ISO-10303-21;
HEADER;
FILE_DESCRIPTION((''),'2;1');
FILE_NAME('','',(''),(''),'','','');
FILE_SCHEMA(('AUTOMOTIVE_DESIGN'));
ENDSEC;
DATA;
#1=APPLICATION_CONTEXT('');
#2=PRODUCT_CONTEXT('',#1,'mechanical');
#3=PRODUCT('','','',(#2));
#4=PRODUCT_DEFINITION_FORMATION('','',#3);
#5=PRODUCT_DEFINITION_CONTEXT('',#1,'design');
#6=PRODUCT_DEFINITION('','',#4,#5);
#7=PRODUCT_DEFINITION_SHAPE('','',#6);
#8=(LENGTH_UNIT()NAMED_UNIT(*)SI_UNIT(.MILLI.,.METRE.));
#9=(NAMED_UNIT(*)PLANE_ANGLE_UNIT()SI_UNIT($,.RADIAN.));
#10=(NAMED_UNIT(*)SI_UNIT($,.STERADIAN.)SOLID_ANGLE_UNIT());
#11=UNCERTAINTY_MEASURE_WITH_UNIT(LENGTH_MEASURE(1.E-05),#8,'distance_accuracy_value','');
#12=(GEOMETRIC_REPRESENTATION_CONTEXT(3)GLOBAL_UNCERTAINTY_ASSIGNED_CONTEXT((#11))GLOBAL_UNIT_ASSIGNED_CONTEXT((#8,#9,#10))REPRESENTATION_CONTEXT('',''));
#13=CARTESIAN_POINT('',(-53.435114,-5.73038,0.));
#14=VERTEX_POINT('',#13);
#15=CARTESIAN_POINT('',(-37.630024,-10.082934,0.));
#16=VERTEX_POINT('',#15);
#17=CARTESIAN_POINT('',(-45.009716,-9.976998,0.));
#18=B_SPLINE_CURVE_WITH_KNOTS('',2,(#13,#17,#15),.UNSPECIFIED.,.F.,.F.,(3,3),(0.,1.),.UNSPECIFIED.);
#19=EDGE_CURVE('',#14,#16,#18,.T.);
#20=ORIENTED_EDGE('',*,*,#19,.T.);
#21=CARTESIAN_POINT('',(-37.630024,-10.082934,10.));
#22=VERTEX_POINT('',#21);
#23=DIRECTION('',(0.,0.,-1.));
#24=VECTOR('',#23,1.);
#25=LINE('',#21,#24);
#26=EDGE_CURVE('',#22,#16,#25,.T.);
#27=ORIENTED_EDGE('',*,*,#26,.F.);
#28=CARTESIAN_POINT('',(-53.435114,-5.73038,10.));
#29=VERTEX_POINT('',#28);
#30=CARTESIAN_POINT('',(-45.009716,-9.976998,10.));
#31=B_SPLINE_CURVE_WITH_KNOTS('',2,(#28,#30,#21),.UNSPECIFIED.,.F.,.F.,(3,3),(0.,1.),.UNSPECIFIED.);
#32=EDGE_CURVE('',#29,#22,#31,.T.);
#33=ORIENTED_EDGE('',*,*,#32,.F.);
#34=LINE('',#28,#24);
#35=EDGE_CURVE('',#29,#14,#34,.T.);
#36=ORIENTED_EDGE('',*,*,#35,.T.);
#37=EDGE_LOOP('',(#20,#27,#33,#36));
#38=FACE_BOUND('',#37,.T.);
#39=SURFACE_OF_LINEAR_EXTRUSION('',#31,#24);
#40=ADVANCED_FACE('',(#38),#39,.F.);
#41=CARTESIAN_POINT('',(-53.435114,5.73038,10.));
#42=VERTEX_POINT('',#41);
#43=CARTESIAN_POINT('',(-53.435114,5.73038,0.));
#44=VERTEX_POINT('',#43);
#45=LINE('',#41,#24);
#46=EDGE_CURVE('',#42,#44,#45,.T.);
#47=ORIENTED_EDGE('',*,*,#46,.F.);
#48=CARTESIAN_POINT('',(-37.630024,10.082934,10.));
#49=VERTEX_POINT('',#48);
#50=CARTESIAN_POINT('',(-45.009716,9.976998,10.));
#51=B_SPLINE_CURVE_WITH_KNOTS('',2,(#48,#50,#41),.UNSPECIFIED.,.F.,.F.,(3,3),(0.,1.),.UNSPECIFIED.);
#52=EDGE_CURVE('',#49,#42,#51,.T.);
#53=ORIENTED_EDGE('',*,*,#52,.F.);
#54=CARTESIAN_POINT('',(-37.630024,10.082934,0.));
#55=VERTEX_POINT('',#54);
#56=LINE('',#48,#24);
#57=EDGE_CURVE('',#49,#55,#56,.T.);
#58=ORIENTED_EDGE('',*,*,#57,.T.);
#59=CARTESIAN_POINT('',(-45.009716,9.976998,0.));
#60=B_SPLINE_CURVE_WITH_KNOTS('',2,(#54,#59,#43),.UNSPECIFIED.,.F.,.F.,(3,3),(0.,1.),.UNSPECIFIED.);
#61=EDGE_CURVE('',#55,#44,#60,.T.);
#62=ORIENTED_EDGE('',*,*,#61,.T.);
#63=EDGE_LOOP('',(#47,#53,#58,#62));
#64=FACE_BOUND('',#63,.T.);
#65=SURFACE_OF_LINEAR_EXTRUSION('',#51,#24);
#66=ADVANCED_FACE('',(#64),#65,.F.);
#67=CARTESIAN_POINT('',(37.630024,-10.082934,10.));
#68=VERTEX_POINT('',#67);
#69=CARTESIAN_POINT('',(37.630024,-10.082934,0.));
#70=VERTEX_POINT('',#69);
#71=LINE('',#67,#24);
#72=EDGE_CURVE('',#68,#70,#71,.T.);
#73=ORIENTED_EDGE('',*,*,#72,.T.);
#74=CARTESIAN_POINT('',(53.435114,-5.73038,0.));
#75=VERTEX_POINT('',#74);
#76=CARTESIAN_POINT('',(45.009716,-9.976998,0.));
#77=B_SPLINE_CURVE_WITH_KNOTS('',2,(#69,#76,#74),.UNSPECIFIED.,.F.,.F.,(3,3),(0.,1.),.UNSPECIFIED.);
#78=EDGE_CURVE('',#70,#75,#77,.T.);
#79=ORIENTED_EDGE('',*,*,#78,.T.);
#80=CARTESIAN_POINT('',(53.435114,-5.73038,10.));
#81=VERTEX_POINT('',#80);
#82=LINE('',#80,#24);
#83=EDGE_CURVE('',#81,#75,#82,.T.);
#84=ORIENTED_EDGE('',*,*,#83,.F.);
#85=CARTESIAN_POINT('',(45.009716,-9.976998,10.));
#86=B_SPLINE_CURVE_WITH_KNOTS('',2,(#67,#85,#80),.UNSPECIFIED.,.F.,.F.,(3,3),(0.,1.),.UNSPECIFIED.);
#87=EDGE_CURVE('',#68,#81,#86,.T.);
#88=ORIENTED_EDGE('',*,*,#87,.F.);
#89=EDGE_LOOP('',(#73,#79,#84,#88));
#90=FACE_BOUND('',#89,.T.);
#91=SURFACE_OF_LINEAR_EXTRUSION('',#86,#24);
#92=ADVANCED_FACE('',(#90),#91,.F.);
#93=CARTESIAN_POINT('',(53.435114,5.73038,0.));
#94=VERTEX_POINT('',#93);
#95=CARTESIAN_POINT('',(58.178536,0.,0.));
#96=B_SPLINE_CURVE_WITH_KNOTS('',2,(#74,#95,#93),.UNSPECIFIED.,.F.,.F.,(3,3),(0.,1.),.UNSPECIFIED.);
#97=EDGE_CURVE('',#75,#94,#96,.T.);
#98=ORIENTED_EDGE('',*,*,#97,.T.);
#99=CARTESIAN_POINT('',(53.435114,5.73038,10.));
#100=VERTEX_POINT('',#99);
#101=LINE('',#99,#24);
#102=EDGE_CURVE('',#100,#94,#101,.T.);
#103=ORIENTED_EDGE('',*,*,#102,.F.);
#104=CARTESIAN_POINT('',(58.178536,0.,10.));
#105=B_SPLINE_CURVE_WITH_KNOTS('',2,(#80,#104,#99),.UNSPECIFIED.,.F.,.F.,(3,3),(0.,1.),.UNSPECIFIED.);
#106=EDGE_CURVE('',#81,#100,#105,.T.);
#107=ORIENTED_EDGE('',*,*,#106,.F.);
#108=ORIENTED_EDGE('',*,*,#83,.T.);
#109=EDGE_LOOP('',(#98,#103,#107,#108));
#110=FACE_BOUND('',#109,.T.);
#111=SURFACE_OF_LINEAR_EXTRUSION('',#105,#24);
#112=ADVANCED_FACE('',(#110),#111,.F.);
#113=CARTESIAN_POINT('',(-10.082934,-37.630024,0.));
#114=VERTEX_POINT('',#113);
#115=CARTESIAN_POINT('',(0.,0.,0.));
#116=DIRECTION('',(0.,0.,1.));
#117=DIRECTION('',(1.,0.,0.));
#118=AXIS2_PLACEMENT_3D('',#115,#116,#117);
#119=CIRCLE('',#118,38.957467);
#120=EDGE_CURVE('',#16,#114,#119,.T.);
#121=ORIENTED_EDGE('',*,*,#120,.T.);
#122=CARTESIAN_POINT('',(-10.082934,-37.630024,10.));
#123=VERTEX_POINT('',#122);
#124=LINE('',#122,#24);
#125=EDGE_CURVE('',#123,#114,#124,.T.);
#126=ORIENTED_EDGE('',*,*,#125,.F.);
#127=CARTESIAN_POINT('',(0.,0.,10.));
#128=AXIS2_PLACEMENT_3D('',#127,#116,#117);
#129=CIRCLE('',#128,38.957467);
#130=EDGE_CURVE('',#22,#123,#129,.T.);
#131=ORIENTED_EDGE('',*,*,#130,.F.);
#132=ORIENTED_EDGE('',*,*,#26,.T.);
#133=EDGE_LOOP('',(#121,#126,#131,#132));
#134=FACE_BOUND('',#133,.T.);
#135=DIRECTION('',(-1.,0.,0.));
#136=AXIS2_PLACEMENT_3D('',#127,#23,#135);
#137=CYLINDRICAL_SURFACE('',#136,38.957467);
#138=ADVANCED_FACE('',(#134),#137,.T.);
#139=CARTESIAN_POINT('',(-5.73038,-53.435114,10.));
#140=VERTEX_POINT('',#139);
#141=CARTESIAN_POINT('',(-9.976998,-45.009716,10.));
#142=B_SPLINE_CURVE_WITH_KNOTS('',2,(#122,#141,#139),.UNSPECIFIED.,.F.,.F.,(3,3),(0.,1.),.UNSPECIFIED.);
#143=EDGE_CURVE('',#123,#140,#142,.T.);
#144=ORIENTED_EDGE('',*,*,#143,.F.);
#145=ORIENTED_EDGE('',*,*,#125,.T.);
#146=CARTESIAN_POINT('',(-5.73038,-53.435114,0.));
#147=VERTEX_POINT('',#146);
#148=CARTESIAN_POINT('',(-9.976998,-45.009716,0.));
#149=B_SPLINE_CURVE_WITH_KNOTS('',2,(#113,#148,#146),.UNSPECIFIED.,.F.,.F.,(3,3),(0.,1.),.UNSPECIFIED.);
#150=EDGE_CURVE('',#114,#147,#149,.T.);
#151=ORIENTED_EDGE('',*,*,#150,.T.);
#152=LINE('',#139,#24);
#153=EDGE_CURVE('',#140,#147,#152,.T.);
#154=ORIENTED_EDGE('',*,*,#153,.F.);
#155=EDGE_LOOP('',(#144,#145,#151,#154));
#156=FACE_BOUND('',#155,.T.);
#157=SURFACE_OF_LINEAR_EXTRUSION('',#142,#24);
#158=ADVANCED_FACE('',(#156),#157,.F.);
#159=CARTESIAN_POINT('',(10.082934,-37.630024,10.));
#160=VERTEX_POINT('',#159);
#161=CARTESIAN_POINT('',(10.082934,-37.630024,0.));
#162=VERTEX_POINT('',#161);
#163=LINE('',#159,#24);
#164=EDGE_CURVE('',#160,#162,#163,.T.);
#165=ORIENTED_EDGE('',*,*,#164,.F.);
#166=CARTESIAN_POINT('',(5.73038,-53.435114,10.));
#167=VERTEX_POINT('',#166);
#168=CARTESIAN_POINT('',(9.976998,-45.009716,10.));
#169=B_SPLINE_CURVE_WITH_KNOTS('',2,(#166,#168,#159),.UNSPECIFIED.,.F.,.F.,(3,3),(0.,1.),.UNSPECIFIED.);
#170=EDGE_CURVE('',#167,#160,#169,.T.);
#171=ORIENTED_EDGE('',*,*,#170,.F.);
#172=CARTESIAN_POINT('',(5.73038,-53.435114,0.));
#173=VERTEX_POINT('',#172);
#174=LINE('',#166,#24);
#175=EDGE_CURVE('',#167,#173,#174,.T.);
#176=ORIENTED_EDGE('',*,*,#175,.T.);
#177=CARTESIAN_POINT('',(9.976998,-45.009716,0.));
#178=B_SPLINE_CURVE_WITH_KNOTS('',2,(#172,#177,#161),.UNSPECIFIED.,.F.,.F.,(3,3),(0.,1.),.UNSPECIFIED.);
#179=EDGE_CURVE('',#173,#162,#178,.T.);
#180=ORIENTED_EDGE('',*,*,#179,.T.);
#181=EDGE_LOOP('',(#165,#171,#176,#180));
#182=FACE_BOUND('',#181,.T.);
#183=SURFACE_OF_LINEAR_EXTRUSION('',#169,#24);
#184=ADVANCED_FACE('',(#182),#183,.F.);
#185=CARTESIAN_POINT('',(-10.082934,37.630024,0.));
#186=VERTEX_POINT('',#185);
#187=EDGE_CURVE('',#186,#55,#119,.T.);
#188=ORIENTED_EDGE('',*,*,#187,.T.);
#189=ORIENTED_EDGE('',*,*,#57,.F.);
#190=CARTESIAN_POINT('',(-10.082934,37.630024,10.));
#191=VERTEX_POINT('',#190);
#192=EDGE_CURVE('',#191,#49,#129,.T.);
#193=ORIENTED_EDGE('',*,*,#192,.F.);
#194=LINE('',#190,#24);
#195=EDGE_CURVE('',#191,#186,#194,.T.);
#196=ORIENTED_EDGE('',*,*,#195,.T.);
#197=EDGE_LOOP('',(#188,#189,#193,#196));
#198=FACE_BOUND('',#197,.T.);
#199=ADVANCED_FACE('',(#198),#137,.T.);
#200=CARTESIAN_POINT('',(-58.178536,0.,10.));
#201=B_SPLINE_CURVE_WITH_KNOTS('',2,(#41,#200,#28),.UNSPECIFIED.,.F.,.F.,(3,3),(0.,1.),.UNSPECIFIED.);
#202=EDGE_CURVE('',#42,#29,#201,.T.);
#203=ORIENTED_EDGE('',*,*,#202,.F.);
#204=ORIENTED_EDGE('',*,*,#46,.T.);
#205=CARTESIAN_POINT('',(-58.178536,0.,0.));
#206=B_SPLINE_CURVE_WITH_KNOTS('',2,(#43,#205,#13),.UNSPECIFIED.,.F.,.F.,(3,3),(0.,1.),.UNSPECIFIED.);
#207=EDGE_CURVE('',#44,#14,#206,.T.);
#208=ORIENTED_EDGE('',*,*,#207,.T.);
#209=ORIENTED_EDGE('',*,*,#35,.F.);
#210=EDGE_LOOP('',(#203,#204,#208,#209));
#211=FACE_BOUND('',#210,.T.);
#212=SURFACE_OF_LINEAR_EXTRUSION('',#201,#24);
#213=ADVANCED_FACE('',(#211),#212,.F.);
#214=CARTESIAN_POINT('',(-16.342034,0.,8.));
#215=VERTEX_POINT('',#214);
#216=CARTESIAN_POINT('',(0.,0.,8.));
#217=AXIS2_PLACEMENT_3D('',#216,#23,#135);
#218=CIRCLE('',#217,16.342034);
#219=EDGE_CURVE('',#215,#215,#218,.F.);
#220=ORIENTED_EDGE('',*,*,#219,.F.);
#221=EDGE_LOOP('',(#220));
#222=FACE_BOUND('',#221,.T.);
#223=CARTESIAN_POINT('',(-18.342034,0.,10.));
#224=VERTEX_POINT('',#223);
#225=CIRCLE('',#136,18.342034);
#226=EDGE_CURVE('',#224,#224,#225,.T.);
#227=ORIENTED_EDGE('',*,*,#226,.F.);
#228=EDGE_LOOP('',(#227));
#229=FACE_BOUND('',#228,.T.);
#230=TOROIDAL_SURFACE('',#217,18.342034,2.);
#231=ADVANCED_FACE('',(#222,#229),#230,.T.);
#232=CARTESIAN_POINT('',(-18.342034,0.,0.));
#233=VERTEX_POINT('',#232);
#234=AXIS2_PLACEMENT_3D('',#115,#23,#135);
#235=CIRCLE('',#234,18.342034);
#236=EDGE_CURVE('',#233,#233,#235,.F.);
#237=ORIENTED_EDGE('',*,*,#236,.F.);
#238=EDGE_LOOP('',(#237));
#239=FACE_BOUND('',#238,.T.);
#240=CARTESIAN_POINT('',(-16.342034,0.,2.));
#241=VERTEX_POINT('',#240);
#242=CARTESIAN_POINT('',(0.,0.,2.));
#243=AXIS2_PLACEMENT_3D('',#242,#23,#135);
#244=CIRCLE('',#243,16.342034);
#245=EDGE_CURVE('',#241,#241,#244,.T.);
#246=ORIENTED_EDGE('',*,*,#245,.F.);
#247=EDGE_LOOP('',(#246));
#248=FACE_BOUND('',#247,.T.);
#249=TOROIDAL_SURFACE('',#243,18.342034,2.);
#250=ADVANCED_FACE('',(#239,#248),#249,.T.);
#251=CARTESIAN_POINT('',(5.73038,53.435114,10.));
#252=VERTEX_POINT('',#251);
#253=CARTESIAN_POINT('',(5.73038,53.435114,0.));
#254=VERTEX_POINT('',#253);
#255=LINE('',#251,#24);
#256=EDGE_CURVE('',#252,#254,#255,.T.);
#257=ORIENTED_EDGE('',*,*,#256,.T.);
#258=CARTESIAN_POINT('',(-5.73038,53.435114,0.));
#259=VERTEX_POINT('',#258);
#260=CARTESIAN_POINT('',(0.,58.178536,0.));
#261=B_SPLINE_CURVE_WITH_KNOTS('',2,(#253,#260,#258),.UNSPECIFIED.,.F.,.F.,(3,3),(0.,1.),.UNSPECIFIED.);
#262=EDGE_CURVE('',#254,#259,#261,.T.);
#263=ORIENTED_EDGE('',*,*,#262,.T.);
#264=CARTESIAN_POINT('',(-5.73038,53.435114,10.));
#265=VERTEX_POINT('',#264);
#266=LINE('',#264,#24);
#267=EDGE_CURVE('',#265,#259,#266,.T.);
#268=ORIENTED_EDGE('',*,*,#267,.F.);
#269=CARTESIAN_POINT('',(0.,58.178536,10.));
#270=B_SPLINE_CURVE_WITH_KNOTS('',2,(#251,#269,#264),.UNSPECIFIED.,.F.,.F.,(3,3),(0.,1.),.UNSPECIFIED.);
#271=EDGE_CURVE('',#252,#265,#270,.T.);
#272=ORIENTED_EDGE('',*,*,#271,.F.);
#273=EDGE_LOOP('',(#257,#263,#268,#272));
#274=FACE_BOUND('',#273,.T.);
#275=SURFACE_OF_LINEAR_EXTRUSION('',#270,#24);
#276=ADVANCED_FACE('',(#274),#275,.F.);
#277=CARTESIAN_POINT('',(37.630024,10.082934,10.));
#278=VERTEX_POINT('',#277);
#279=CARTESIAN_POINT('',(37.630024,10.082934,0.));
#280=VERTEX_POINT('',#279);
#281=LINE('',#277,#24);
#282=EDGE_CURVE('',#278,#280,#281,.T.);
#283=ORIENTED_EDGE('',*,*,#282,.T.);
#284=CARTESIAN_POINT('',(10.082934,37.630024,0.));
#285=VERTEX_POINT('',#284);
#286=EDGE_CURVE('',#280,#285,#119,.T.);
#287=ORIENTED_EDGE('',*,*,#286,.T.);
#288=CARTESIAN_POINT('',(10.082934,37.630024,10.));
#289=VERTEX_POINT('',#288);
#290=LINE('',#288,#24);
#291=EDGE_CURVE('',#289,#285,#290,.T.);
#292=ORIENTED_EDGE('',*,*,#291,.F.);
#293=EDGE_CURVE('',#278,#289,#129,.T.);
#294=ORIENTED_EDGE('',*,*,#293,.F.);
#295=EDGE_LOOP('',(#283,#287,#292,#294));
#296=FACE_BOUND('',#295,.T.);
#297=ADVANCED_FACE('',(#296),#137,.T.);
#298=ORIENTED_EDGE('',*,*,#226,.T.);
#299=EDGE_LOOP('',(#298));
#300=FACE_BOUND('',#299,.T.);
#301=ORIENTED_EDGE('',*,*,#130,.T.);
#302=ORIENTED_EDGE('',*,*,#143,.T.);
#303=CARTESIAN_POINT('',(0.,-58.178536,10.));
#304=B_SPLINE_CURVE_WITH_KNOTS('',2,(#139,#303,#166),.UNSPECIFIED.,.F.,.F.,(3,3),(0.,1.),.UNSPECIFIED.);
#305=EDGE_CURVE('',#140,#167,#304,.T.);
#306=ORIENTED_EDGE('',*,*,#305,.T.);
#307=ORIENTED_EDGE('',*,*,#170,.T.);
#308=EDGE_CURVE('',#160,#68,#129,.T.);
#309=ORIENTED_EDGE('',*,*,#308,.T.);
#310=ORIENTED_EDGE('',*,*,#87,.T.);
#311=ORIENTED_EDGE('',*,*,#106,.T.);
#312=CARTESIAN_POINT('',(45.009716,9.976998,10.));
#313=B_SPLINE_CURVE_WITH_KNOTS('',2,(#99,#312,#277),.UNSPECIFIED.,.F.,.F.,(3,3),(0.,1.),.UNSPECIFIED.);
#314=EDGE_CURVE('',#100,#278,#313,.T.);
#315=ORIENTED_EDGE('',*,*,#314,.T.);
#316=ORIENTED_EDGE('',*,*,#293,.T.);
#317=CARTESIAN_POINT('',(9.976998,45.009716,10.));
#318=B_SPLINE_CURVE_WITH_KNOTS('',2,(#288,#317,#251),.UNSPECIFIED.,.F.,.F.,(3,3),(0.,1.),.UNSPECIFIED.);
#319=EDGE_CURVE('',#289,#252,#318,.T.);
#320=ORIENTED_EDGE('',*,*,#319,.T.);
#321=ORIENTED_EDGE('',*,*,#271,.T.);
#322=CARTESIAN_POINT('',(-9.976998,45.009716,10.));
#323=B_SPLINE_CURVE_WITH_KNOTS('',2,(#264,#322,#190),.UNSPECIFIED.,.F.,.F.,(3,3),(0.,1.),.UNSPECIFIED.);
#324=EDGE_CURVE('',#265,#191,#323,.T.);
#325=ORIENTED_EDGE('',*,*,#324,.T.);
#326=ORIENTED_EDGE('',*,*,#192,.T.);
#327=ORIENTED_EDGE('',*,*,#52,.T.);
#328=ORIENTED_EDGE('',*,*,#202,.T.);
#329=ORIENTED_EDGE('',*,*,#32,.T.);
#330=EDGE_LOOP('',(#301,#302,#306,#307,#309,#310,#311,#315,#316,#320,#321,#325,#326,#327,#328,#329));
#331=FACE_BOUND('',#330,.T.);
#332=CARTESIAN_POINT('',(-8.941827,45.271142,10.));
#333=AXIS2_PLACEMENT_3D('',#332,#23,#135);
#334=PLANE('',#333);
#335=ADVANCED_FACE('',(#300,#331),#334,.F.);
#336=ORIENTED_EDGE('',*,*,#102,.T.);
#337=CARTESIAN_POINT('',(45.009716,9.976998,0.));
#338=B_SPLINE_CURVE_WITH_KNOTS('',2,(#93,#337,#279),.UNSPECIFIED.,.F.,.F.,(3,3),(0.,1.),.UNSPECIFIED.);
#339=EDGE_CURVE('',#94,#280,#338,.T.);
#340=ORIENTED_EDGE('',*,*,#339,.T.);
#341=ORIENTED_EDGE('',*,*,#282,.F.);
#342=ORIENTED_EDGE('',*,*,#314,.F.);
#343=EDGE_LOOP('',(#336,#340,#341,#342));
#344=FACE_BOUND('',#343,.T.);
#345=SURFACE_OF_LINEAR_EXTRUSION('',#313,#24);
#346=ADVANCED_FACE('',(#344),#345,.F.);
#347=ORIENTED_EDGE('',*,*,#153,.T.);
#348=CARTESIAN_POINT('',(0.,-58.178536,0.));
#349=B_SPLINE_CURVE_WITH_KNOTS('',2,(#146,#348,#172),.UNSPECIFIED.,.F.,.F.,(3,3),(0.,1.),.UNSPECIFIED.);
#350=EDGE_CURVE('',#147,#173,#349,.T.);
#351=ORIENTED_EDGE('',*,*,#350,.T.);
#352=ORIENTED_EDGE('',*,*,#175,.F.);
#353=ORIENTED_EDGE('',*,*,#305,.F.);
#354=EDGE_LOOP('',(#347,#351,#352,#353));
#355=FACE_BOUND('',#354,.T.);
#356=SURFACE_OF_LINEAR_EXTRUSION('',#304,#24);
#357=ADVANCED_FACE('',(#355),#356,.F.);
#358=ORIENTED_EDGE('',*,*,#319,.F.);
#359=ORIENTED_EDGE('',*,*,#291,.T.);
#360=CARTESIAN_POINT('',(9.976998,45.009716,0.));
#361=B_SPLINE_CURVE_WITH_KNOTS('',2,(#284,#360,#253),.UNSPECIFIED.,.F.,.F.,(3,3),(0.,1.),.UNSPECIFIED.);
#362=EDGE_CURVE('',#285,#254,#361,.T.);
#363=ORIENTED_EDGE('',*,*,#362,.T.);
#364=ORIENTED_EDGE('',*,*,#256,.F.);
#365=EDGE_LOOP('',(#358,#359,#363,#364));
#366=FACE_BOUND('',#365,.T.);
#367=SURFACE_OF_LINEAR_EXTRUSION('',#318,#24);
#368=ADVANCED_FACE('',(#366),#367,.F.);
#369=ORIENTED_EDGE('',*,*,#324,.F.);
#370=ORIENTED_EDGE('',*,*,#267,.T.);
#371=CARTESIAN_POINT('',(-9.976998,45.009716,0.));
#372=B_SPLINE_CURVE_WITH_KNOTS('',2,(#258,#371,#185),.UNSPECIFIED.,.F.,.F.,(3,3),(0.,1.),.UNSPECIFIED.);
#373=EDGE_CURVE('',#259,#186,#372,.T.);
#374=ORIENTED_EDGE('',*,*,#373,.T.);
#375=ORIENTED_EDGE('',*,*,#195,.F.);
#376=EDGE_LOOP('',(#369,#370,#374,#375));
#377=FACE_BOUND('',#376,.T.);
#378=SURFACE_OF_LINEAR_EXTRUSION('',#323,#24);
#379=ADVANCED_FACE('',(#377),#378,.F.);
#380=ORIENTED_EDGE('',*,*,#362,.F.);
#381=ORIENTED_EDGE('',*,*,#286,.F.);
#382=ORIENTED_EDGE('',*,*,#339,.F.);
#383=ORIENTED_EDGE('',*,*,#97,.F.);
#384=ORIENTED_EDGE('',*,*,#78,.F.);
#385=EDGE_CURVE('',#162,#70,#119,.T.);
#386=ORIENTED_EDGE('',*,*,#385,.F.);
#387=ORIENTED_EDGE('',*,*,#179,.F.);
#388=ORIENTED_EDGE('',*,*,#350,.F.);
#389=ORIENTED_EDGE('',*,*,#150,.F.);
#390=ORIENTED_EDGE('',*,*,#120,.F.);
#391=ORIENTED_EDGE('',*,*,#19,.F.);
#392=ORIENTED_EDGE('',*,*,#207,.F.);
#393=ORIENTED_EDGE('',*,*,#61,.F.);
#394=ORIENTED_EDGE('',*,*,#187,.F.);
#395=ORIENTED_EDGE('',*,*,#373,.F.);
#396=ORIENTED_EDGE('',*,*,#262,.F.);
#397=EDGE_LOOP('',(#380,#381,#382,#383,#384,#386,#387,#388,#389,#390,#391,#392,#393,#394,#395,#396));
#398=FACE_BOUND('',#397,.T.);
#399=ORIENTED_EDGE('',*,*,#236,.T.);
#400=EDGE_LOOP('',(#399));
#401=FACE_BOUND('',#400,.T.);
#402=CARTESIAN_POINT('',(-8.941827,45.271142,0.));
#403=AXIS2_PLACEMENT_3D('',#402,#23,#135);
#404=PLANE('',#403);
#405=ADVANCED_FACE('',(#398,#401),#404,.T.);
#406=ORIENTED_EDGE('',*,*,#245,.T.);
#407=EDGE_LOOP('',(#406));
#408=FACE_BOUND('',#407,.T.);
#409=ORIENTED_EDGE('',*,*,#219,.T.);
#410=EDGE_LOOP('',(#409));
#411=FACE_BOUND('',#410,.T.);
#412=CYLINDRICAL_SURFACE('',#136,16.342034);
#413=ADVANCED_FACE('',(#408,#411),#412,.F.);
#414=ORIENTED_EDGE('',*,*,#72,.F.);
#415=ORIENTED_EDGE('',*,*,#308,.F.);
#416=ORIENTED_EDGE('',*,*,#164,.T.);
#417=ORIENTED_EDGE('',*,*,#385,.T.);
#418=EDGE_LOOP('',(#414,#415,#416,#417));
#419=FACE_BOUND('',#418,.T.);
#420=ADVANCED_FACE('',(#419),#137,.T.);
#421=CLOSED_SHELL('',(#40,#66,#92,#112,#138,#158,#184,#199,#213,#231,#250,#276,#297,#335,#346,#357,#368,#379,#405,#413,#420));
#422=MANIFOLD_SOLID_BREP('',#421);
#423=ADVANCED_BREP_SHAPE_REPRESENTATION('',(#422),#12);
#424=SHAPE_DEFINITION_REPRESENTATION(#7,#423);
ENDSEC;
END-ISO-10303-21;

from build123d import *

# Parameters (mm, degrees)
SKETCH1_R           = 16.342033632
BOSS_EXTRUDE1_DEPTH = 10
FILLET1_R           = 2
FILLET2_R           = 2


with BuildPart() as part:
    # Sketch1 → Boss-Extrude1 (new body)
    with BuildSketch(Plane.XY):
        with BuildLine():
            ThreePointArc((-37.630023744, -10.082934473), (-27.54708927, -27.54708927), (-10.082934473, -37.630023744))
            add(Edge.make_bspline(
                [(-5.730379822, -53.435114302), (-9.976997746, -45.009715936), (-10.082934473, -37.630023744)],
                knots=[0, 0, 0, 1, 1, 1], degree=2))
            add(Edge.make_bspline(
                [(5.730379822, -53.435114302), (0, -58.17853574), (-5.730379822, -53.435114302)],
                knots=[0, 0, 0, 1, 1, 1], degree=2))
            add(Edge.make_bspline(
                [(5.730379822, -53.435114302), (9.976997746, -45.009715936), (10.082934473, -37.630023744)],
                knots=[0, 0, 0, 1, 1, 1], degree=2))
            ThreePointArc((10.082934473, -37.630023744), (27.54708927, -27.54708927), (37.630023744, -10.082934473))
            add(Edge.make_bspline(
                [(53.435114302, -5.730379822), (45.009715936, -9.976997746), (37.630023744, -10.082934473)],
                knots=[0, 0, 0, 1, 1, 1], degree=2))
            add(Edge.make_bspline(
                [(53.435114302, 5.730379822), (58.17853574, 0), (53.435114302, -5.730379822)],
                knots=[0, 0, 0, 1, 1, 1], degree=2))
            add(Edge.make_bspline(
                [(53.435114302, 5.730379822), (45.009715936, 9.976997746), (37.630023744, 10.082934473)],
                knots=[0, 0, 0, 1, 1, 1], degree=2))
            ThreePointArc((37.630023744, 10.082934473), (27.54708927, 27.54708927), (10.082934473, 37.630023744))
            add(Edge.make_bspline(
                [(5.730379822, 53.435114302), (9.976997746, 45.009715936), (10.082934473, 37.630023744)],
                knots=[0, 0, 0, 1, 1, 1], degree=2))
            add(Edge.make_bspline(
                [(-5.730379822, 53.435114302), (0, 58.17853574), (5.730379822, 53.435114302)],
                knots=[0, 0, 0, 1, 1, 1], degree=2))
            add(Edge.make_bspline(
                [(-5.730379822, 53.435114302), (-9.976997746, 45.009715936), (-10.082934473, 37.630023744)],
                knots=[0, 0, 0, 1, 1, 1], degree=2))
            ThreePointArc((-10.082934473, 37.630023744), (-27.54708927, 27.54708927), (-37.630023744, 10.082934473))
            add(Edge.make_bspline(
                [(-53.435114302, 5.730379822), (-45.009715936, 9.976997746), (-37.630023744, 10.082934473)],
                knots=[0, 0, 0, 1, 1, 1], degree=2))
            add(Edge.make_bspline(
                [(-53.435114302, -5.730379822), (-58.17853574, 0), (-53.435114302, 5.730379822)],
                knots=[0, 0, 0, 1, 1, 1], degree=2))
            add(Edge.make_bspline(
                [(-53.435114302, -5.730379822), (-45.009715936, -9.976997746), (-37.630023744, -10.082934473)],
                knots=[0, 0, 0, 1, 1, 1], degree=2))
        make_face()
        Circle(SKETCH1_R, mode=Mode.SUBTRACT)
    extrude(amount=BOSS_EXTRUDE1_DEPTH)

    # Fillet1
    fillet1_edges = [part.edges().sort_by_distance(p)[0] for p in [
        (-16.342033632, 0, 0),
    ]]
    fillet(fillet1_edges, radius=FILLET1_R)

    # Fillet2
    fillet2_edges = [part.edges().sort_by_distance(p)[0] for p in [
        (-16.342033632, 0, 10),
    ]]
    fillet(fillet2_edges, radius=FILLET2_R)


solid = part.part
